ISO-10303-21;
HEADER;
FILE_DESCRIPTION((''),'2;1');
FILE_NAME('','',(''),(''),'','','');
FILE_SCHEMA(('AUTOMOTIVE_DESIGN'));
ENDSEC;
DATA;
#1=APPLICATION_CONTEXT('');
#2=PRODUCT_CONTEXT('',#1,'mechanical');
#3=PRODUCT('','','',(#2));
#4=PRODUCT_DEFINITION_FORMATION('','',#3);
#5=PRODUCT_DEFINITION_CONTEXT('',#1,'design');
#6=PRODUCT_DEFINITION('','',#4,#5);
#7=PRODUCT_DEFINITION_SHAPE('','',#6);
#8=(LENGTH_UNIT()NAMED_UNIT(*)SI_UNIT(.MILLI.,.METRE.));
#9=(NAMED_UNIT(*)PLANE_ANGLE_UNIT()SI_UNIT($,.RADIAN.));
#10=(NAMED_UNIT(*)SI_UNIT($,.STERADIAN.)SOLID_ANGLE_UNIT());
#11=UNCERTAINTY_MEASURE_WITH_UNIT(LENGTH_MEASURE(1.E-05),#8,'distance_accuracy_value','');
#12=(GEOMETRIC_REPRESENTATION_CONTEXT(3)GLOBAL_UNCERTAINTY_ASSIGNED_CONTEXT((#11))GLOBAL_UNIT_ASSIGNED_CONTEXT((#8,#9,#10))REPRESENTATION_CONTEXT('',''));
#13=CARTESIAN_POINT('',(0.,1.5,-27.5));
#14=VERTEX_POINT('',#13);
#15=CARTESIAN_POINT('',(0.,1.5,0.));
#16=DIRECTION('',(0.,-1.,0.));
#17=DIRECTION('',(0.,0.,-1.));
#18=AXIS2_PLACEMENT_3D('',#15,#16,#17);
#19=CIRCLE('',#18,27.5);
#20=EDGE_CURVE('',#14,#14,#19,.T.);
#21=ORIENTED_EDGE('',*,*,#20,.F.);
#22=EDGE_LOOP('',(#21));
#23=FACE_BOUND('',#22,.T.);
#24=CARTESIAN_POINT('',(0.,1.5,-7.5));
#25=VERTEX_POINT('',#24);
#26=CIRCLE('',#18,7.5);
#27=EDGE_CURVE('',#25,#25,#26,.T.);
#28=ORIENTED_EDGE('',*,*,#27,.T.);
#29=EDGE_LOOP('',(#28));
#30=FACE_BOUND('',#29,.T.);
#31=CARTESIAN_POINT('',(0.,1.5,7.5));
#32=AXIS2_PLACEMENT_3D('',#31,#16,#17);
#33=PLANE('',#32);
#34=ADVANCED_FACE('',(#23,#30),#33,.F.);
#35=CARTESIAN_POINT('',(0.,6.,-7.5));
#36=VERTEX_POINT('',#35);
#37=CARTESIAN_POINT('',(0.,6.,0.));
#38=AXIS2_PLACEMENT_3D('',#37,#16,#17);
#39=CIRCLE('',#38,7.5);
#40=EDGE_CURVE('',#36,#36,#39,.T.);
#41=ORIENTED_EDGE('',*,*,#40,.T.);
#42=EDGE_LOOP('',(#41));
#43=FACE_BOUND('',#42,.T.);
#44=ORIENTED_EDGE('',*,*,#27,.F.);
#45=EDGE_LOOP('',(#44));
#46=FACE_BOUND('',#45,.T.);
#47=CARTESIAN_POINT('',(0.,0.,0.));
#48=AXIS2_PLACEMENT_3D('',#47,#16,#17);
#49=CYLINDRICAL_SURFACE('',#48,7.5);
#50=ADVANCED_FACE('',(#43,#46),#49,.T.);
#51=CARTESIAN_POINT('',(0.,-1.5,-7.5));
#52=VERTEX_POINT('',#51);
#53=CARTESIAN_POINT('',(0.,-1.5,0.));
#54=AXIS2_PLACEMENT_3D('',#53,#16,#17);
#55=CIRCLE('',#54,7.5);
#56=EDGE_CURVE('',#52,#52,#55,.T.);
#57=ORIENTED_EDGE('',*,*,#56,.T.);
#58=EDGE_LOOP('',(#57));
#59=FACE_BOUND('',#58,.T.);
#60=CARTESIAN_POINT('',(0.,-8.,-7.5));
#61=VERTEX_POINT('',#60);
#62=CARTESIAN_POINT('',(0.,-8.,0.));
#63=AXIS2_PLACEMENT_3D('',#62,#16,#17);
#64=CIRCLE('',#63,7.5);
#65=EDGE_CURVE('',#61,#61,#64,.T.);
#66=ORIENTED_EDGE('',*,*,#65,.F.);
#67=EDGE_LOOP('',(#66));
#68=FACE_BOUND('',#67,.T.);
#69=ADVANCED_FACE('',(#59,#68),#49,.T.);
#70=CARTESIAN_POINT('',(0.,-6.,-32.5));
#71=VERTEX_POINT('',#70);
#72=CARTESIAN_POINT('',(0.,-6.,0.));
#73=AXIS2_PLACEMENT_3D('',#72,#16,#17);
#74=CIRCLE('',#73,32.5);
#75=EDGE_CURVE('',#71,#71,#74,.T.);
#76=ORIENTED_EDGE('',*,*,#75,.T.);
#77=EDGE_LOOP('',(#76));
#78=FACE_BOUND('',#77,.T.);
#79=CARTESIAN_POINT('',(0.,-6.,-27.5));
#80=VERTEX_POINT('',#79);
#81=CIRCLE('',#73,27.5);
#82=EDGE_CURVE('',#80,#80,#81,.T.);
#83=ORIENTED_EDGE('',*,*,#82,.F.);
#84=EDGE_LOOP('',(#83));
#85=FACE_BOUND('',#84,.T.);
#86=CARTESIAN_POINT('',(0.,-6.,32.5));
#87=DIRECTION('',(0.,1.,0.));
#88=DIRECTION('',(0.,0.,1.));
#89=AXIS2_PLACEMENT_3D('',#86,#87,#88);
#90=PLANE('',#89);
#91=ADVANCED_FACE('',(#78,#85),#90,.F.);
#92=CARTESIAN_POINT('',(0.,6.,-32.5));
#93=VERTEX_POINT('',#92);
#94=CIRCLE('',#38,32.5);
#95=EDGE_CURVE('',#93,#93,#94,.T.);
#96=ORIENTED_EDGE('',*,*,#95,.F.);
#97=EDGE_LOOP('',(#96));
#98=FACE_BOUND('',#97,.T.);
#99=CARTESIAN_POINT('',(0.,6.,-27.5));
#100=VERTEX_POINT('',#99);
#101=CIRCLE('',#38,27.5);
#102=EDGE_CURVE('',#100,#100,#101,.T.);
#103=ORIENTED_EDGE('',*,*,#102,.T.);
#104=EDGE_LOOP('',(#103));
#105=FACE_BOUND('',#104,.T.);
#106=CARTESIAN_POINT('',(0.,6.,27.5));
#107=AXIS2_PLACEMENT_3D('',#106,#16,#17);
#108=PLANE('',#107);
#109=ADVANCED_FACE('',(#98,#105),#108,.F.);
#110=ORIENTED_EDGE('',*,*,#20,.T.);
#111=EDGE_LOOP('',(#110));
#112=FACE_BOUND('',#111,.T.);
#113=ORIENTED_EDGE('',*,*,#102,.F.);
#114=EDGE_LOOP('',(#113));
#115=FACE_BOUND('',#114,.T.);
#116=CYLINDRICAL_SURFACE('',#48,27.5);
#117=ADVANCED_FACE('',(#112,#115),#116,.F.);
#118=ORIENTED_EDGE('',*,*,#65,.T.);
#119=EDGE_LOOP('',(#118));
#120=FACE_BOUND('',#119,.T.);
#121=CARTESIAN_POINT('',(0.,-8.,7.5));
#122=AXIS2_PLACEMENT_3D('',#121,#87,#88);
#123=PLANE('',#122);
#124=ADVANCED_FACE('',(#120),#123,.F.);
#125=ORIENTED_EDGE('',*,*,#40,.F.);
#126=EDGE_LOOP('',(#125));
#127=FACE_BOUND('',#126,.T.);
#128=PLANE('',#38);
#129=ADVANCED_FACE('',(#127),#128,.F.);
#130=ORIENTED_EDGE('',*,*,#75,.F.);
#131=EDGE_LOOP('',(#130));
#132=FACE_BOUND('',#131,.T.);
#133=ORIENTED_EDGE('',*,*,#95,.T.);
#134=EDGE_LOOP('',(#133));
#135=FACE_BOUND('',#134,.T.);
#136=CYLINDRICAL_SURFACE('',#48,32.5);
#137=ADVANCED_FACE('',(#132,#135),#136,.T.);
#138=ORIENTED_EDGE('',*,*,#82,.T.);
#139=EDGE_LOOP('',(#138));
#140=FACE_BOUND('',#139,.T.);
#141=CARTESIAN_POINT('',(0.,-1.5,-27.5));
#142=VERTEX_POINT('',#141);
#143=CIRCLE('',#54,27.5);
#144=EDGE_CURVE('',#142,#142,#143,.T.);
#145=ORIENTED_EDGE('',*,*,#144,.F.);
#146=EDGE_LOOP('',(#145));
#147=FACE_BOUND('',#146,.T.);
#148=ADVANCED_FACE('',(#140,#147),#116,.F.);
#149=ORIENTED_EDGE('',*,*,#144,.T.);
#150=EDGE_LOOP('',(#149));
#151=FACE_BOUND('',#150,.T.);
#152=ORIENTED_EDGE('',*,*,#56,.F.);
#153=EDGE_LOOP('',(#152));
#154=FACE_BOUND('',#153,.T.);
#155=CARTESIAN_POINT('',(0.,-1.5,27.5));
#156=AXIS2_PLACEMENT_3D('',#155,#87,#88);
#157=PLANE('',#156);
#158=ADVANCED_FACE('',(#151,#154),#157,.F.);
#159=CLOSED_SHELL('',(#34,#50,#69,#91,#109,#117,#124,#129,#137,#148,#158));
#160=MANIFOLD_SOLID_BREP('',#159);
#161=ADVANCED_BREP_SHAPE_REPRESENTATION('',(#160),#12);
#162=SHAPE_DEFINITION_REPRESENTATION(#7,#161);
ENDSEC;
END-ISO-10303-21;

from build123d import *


with BuildPart() as part:
    # Sketch1 → Revolve1 (revolve)
    with BuildSketch(Plane.YZ, mode=Mode.PRIVATE) as revolve1_sk:
        Polygon((6, 0), (6, 7.5), (1.5, 7.5), (1.5, 27.5), (6, 27.5), (6, 32.5), (-6, 32.5), (-6, 27.5), (-1.5, 27.5), (-1.5, 7.5), (-8, 7.5), (-8, 0), align=None)
    revolve(revolve1_sk.sketch.rotate(Axis((0, 0, 0), (0, 1, 0)), 180), axis=Axis((0, 0, 0), (0, 1, 0)))


solid = part.part
